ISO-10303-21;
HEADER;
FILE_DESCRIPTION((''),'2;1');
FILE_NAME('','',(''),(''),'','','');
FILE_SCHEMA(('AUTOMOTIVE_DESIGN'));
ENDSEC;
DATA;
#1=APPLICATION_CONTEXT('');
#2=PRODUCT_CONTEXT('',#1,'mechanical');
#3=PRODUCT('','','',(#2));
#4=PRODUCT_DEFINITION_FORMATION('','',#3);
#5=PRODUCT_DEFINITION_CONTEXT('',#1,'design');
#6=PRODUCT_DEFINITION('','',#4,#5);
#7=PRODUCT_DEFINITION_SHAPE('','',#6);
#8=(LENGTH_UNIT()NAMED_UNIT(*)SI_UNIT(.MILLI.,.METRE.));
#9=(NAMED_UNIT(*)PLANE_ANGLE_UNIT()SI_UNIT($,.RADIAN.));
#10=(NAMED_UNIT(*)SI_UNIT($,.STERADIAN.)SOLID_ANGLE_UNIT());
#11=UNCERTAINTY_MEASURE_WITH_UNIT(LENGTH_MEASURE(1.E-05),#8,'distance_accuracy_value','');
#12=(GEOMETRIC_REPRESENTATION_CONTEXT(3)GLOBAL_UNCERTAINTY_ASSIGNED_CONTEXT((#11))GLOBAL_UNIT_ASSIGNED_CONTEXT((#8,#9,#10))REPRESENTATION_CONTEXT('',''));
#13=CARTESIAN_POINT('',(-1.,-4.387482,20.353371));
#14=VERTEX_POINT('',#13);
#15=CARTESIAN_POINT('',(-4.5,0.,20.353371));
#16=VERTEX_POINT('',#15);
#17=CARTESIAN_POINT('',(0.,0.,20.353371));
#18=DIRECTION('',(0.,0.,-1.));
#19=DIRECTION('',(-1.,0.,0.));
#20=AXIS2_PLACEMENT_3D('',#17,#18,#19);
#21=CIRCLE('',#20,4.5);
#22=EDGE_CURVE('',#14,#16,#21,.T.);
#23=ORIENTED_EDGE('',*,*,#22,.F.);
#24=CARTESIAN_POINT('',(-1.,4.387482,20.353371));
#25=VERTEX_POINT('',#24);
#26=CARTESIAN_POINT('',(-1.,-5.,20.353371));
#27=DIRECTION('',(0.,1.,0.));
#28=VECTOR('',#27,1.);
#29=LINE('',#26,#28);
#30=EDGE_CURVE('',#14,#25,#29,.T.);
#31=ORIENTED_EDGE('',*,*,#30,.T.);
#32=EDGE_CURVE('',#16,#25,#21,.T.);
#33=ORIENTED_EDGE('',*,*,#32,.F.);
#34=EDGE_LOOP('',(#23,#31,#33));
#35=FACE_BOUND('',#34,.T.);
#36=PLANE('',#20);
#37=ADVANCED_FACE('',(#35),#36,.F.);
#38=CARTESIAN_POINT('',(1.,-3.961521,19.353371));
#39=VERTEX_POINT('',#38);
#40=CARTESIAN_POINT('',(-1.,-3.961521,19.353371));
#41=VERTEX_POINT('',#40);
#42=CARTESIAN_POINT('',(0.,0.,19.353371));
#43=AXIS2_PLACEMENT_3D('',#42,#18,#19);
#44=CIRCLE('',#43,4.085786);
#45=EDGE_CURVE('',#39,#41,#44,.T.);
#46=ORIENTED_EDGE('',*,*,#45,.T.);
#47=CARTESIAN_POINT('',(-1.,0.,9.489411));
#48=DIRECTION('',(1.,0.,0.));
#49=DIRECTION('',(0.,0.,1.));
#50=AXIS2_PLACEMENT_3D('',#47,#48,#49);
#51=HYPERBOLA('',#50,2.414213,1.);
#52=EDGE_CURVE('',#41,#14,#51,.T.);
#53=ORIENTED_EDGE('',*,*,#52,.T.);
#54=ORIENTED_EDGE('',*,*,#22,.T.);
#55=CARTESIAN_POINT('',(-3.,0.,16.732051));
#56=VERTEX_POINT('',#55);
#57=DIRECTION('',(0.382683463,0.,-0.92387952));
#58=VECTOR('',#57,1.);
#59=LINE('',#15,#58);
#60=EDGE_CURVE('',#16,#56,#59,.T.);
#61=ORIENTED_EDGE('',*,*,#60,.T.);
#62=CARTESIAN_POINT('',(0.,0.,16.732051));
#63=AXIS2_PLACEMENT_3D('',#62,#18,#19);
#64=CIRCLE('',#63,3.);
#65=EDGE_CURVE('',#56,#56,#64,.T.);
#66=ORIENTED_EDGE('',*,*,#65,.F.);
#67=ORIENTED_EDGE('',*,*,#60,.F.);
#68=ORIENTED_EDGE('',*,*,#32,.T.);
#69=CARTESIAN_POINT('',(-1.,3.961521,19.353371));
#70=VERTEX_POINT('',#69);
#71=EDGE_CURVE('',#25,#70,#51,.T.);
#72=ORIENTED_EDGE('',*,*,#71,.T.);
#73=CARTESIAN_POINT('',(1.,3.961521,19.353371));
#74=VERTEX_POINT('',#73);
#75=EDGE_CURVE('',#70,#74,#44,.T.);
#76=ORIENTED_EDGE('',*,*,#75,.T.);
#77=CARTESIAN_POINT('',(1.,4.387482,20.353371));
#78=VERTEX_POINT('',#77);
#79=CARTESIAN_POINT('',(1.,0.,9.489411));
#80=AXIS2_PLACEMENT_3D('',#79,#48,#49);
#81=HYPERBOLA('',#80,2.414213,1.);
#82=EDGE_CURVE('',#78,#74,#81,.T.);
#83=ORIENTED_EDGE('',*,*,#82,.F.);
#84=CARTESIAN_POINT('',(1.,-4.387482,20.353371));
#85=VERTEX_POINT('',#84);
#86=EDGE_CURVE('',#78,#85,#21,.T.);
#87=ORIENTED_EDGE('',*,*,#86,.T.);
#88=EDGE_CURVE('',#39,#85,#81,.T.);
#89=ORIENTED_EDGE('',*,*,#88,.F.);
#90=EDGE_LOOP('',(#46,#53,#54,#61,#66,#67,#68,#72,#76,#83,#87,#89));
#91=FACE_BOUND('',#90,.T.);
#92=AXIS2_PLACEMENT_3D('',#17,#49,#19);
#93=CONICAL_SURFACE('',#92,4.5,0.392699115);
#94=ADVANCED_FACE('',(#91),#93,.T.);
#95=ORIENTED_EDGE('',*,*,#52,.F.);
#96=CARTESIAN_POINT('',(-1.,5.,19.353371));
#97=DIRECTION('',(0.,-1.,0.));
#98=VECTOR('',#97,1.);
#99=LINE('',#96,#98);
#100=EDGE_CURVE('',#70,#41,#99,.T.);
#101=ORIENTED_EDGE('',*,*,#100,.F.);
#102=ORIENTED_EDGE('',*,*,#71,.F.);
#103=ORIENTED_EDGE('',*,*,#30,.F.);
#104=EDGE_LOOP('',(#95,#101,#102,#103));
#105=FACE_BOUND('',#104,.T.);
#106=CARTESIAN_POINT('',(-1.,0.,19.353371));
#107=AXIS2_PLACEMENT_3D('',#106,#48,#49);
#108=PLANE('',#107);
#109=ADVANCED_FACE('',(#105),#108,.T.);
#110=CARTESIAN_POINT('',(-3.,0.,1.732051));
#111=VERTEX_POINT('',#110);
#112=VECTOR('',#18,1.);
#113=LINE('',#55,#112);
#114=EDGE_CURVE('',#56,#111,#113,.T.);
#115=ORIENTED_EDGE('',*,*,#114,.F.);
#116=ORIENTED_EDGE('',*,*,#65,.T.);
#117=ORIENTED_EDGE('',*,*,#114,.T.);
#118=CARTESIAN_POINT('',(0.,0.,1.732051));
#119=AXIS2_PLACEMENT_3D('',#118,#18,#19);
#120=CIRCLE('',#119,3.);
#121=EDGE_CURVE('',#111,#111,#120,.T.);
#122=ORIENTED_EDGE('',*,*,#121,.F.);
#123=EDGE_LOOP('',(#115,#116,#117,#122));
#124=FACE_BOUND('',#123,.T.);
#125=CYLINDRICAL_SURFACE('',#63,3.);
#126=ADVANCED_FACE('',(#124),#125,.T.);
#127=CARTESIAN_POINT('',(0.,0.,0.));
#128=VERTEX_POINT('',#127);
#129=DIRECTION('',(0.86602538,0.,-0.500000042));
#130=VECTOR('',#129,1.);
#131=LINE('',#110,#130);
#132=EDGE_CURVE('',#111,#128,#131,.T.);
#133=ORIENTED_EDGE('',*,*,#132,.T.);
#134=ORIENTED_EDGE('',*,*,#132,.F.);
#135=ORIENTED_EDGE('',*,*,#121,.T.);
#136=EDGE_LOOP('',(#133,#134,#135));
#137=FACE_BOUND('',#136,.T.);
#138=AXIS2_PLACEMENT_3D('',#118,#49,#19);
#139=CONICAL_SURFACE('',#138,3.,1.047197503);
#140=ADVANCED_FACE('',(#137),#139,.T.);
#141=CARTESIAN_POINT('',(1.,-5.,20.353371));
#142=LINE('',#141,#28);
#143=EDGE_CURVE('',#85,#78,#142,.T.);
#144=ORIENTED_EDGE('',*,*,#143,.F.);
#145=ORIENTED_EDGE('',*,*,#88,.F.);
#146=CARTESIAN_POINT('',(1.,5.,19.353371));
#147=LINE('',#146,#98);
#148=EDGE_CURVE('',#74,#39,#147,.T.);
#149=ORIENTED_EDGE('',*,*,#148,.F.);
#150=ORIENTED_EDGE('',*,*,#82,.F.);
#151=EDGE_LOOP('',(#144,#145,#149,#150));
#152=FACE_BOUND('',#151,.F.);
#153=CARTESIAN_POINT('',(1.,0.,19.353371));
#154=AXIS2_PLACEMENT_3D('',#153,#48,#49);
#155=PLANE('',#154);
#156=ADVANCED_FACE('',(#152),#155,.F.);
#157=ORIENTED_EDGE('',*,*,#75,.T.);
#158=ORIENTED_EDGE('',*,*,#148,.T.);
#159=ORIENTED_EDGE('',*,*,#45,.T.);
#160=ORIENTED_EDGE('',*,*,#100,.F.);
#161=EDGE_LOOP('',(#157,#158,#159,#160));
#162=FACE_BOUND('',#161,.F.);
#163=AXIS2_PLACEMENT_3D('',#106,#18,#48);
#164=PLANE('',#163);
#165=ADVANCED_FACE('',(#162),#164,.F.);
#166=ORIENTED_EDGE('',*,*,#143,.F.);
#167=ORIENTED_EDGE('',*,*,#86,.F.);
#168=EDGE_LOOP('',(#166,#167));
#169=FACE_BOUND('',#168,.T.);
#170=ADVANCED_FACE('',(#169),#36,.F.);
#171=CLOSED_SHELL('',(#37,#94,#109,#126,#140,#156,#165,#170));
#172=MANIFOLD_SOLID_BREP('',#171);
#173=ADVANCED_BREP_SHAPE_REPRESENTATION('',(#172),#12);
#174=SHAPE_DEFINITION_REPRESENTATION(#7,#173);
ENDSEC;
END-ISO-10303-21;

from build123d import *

# Parameters (mm, degrees)
F2_W     = 2
F2_H     = 1
F3_DEPTH = 5


with BuildPart() as f1:
    # F0 (on Front) → F1 (revolve)
    with BuildSketch(Plane.XZ):
        Polygon((-3, 1.732051), (0, 0), (0, 20.353371), (-4.5, 20.353371), (-3, 16.732051), align=None)
    revolve(axis=Axis((0, 0, 10.176686), (0, 0, -1)))

    # F2 (on Front) → F3 (cut, symmetric)
    with BuildSketch(Plane.XZ):
        with Locations((0, 19.853371)):
            Rectangle(F2_W, F2_H)
    extrude(amount=F3_DEPTH, both=True, mode=Mode.SUBTRACT)


solid = f1.part
